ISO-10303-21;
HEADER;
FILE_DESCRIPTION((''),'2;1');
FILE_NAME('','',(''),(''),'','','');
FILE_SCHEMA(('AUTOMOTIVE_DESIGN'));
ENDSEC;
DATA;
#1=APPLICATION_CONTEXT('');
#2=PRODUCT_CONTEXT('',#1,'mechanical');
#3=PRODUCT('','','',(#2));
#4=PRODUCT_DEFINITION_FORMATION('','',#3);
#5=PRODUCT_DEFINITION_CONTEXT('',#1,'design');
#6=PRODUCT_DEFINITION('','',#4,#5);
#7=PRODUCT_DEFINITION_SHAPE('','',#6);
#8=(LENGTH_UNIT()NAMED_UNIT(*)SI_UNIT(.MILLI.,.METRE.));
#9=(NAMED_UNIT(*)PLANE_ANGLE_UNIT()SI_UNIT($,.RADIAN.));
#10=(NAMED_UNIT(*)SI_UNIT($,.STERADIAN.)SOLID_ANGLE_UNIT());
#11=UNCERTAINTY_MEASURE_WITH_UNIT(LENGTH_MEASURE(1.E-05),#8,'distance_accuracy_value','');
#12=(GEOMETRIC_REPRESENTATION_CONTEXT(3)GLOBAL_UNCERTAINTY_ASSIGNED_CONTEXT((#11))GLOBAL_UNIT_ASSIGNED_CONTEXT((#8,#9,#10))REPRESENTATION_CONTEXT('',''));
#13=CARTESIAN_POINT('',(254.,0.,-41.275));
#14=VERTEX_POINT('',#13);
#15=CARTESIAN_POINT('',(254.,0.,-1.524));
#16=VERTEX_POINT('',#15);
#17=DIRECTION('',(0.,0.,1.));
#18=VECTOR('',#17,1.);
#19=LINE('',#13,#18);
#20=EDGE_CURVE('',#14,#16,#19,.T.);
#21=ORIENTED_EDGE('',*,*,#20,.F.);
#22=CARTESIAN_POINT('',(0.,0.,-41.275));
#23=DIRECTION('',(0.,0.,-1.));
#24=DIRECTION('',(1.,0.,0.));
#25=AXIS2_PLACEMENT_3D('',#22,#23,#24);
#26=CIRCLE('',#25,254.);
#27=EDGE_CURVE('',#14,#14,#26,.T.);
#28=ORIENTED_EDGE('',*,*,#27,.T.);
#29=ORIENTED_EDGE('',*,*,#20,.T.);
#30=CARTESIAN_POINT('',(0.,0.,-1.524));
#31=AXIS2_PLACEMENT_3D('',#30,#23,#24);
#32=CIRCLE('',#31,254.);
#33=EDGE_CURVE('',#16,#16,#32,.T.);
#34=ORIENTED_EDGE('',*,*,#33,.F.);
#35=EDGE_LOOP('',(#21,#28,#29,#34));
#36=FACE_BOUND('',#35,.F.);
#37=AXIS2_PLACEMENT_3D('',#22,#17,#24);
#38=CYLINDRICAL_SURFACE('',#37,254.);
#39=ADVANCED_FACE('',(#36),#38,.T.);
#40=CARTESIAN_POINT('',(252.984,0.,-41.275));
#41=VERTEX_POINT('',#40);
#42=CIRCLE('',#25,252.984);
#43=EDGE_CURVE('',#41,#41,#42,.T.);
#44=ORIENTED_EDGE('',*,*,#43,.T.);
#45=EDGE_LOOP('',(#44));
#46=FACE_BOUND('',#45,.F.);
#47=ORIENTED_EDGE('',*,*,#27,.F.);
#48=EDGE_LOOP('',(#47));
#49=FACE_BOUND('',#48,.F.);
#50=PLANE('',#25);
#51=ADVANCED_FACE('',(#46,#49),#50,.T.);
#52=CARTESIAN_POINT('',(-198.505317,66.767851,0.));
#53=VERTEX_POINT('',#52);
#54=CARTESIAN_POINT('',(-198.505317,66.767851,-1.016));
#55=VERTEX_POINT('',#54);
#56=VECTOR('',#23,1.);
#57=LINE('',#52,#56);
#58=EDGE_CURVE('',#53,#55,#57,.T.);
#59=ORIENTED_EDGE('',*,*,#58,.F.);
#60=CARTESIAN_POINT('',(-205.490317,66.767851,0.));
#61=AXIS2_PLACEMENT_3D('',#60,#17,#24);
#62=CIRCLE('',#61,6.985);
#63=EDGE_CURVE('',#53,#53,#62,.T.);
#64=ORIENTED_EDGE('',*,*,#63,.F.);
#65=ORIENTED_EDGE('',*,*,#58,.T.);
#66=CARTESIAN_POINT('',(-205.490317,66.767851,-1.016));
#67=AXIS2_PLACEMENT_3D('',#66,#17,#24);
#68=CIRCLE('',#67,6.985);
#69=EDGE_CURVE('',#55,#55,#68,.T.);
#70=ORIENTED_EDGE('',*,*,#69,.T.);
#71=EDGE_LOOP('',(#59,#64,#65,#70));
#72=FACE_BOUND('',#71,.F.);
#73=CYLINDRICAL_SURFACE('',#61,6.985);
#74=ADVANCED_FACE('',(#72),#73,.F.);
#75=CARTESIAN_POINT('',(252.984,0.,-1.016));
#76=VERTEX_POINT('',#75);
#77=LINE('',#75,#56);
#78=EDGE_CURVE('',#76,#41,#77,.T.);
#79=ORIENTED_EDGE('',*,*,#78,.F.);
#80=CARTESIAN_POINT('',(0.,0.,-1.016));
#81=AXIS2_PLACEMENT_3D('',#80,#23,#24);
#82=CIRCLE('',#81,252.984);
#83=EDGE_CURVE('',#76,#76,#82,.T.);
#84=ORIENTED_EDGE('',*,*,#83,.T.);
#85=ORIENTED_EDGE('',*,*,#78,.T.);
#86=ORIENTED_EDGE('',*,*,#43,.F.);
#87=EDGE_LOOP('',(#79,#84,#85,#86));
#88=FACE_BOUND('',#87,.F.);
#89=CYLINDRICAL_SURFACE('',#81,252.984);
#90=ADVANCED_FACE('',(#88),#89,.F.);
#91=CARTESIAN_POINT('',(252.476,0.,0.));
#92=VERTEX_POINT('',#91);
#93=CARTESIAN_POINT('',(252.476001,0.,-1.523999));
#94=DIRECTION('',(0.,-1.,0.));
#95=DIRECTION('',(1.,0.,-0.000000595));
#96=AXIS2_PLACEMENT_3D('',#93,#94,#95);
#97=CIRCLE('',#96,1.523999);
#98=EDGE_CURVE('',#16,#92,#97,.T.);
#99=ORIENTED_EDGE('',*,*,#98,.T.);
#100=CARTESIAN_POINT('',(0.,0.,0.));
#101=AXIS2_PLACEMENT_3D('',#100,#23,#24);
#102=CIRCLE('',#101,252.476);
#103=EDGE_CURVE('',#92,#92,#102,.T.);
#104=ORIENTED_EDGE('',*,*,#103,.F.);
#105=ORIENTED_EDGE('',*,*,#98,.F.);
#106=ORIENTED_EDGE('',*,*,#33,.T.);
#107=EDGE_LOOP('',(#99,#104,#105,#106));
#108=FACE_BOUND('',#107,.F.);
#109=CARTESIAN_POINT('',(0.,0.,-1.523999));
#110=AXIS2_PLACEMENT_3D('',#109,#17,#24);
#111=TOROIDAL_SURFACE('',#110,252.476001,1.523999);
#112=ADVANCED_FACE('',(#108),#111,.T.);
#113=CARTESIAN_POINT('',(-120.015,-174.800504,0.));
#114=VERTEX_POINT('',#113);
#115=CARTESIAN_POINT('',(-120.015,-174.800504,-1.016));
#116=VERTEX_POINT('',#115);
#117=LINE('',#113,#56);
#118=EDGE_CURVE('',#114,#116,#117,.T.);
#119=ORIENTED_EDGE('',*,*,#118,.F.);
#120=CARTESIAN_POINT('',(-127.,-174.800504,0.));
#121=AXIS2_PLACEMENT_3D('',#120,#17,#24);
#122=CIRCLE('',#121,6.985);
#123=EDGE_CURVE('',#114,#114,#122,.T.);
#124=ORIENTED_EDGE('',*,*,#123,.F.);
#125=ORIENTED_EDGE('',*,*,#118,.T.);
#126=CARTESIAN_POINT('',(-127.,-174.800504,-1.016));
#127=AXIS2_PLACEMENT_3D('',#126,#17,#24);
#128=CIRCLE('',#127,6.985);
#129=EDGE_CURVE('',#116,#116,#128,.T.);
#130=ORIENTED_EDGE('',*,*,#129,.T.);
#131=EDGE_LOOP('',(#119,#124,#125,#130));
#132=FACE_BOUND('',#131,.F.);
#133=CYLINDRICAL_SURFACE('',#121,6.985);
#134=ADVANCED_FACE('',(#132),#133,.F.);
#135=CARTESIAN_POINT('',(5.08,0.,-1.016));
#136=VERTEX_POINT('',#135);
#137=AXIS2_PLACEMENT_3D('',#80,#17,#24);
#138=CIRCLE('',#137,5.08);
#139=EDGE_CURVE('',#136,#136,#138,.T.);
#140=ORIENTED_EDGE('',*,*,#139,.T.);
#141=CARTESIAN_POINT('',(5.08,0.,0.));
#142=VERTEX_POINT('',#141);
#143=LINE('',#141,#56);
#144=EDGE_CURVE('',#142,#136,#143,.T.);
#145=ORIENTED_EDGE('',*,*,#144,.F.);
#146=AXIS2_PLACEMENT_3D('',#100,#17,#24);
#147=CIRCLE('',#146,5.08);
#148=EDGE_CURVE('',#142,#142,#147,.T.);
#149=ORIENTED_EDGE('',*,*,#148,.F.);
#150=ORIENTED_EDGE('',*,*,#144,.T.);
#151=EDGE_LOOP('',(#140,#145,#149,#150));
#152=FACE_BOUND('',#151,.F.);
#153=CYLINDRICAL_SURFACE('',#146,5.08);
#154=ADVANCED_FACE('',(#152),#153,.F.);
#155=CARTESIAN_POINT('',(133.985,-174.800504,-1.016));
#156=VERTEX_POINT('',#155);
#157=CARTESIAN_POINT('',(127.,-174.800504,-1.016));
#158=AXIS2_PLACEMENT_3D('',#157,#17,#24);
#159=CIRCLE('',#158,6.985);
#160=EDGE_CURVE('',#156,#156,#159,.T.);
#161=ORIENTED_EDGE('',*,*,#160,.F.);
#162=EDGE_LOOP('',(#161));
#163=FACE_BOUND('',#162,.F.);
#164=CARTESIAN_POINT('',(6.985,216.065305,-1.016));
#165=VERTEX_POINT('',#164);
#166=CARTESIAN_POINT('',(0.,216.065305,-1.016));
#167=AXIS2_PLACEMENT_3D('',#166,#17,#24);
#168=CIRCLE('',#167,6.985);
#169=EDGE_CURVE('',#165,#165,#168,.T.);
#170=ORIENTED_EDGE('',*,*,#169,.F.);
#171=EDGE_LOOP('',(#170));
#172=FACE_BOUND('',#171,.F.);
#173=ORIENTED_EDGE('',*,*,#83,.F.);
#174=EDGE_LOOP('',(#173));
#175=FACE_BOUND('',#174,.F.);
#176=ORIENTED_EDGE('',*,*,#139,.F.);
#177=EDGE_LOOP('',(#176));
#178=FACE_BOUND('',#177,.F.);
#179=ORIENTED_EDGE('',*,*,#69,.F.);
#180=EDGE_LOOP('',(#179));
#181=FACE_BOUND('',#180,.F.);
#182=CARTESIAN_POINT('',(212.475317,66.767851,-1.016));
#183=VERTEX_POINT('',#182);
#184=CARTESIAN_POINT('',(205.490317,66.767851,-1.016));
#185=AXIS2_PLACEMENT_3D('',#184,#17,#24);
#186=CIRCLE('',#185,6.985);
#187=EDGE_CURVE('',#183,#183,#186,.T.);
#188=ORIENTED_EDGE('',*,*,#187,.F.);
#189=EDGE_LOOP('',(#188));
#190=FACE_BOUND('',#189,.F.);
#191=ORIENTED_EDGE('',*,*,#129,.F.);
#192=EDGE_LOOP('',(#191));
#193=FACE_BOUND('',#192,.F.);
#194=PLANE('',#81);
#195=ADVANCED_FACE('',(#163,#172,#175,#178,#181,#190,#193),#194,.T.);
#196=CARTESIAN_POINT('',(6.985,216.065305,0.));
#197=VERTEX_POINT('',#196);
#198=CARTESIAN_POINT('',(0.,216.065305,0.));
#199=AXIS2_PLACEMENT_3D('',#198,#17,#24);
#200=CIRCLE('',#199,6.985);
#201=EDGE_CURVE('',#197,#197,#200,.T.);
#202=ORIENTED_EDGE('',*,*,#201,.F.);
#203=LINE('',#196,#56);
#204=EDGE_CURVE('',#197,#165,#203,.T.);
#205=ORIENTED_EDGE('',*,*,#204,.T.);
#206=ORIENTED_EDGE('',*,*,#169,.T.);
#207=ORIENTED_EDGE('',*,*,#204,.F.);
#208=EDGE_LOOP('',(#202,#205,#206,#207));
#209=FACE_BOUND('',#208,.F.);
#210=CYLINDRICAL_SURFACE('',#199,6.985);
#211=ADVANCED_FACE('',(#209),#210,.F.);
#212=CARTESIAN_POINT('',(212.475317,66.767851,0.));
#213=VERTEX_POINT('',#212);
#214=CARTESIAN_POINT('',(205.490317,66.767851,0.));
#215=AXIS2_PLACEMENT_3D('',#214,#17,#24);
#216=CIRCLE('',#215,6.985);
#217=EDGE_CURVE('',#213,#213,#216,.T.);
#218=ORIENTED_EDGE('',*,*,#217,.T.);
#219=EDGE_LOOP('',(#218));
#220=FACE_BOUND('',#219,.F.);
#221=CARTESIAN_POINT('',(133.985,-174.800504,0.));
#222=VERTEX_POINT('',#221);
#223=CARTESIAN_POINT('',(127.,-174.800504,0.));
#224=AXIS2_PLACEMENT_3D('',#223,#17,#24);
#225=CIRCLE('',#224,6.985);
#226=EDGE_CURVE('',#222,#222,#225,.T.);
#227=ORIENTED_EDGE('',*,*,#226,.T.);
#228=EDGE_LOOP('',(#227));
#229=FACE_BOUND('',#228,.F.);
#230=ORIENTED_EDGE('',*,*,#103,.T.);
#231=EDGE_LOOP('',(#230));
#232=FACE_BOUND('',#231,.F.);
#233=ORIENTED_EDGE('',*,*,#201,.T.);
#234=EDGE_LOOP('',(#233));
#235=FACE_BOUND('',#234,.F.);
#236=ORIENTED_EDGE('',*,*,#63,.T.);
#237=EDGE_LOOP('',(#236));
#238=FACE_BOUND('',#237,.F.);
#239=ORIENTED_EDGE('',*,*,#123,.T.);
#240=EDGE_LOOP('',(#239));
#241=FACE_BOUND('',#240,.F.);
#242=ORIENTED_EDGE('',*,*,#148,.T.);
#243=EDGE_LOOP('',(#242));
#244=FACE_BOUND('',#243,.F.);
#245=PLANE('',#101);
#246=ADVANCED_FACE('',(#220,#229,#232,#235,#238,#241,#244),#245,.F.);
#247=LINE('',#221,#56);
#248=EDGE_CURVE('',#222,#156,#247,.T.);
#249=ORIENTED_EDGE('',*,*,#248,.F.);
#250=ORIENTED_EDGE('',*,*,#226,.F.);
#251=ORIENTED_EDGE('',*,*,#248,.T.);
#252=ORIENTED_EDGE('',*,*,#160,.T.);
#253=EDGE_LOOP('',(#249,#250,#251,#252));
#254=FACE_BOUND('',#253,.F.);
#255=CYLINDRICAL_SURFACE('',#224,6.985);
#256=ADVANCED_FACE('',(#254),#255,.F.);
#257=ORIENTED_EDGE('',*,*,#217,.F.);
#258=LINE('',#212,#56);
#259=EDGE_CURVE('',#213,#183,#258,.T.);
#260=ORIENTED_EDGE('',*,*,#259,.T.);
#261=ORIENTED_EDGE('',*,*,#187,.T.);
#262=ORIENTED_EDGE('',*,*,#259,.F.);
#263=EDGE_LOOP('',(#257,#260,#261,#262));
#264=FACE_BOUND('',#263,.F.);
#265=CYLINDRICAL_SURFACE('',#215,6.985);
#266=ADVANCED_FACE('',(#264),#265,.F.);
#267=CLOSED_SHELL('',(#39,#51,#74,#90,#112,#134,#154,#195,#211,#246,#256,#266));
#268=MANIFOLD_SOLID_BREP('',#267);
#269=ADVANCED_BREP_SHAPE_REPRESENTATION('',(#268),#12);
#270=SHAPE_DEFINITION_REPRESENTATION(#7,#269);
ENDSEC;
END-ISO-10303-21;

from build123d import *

# Parameters (mm, degrees)
F3_R     = 6.985
F3_R_2   = 5.08
F4_DEPTH = 1.016


with BuildPart() as f2:
    # F1 (on Front) → F2 (revolve)
    with BuildSketch(Plane.XZ):
        with BuildLine():
            Line((252.476, 0), (0, 0))
            Line((0, 0), (0, -1.016))
            Line((0, -1.016), (252.984, -1.016))
            Line((252.984, -1.016), (252.984, -41.275))
            Line((252.984, -41.275), (254, -41.275))
            Line((254, -41.275), (254, -1.524))
            ThreePointArc((254, -1.524), (253.553631, -0.446369), (252.476, 0))
        make_face()
    revolve(axis=Axis((0, 0, -44.069175), (0, 0, -1)))

    # F3 (on Top) → F4 (cut, through all)
    with BuildSketch(Plane.XY):
        with Locations((205.490317, 66.767851)):
            Circle(F3_R)
        with Locations((0, 216.065305)):
            Circle(F3_R)
        with Locations((-205.490317, 66.767851)):
            Circle(F3_R)
        with Locations((-127, -174.800504)):
            Circle(F3_R)
        with Locations((127, -174.800504)):
            Circle(F3_R)
        Circle(F3_R_2)
    extrude(amount=-F4_DEPTH, mode=Mode.SUBTRACT)


solid = f2.part
